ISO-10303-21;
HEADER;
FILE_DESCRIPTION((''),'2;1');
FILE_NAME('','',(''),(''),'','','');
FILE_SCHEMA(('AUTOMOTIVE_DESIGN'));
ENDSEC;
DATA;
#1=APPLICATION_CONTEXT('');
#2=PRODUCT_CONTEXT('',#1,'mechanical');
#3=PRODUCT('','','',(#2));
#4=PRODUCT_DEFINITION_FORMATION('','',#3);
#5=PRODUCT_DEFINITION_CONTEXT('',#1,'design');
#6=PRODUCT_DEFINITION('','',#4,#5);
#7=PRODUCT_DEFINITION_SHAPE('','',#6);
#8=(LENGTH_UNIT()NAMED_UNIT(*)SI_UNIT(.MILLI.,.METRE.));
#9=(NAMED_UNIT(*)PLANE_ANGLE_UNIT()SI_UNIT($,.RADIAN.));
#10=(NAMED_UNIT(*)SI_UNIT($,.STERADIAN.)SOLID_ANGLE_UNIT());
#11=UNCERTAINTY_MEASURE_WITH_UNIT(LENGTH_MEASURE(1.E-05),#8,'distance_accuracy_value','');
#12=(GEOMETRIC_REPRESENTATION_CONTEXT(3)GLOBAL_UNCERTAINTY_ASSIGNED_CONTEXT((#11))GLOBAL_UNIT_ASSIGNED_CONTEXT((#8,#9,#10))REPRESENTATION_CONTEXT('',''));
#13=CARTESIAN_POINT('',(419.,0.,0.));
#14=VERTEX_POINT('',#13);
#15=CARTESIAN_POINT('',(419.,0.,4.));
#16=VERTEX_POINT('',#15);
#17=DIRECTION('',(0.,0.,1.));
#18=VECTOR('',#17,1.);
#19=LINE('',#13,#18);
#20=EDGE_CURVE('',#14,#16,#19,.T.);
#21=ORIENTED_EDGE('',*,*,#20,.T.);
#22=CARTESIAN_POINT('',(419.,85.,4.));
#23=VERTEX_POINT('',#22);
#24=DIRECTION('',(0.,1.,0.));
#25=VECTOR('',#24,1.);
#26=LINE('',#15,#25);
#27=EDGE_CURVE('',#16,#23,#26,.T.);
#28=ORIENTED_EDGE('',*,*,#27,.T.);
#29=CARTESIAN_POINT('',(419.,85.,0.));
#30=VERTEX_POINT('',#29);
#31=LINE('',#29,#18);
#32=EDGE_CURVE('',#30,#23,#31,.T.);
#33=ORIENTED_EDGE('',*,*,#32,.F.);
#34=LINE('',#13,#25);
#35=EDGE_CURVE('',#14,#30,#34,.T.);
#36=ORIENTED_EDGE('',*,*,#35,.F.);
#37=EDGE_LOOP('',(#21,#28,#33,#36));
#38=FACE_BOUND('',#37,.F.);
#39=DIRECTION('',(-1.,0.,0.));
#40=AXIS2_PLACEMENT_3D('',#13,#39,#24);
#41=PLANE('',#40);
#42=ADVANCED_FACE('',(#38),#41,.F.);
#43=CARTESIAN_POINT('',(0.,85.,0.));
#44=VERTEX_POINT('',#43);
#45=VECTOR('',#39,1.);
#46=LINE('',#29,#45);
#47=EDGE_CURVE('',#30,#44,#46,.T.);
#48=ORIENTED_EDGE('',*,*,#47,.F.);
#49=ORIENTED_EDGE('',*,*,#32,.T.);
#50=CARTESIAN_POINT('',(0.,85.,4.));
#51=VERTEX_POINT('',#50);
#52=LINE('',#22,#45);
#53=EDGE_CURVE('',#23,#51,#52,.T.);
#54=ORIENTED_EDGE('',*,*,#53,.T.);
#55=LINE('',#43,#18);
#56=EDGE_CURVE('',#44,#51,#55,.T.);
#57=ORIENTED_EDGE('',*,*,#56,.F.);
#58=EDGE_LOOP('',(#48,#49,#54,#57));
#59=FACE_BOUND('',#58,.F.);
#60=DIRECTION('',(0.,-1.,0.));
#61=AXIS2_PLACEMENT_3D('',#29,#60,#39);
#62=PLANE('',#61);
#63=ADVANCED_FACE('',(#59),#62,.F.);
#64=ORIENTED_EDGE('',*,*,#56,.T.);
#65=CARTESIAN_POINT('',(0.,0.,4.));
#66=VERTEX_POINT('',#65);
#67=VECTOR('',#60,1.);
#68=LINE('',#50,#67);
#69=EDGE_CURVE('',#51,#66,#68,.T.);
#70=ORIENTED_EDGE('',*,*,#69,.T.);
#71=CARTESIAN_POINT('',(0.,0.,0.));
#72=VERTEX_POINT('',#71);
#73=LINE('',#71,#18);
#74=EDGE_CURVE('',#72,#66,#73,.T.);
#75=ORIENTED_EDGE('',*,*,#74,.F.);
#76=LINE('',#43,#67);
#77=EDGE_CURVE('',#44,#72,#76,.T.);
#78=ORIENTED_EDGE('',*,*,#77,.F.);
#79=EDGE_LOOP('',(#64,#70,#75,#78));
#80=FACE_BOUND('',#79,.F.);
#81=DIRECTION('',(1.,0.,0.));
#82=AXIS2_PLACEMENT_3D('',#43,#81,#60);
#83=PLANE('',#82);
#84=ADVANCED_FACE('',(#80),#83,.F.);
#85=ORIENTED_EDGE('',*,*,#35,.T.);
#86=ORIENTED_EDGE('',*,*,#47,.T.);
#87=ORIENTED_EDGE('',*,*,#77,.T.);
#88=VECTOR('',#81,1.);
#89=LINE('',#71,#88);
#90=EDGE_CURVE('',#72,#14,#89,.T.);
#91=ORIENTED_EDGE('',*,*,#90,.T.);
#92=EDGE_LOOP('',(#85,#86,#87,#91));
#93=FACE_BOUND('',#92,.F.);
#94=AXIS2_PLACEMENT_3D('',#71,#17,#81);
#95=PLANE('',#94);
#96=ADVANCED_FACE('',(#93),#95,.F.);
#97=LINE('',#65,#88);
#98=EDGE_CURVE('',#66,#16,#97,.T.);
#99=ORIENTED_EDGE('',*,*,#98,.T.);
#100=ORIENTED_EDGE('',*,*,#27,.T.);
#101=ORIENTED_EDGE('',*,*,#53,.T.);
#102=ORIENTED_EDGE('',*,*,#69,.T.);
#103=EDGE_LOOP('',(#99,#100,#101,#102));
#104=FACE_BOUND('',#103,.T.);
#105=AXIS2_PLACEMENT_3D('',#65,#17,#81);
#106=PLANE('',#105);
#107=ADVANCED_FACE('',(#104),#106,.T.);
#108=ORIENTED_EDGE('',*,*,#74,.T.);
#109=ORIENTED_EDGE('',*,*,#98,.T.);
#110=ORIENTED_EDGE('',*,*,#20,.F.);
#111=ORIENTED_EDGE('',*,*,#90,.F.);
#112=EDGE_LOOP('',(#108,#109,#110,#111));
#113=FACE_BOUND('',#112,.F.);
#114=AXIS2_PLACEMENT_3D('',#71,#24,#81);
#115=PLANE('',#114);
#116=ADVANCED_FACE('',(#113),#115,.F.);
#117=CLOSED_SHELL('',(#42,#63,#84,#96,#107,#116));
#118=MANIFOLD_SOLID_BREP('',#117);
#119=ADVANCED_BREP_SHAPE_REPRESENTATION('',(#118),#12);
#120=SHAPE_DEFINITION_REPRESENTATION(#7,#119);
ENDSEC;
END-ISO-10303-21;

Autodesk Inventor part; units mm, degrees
ref_plane "YZ Plane" through (0, 0, 0) normal (1, 0, 0) x (0, 1, 0)
ref_plane "XZ Plane" through (0, 0, 0) normal (0, 1, 0) x (-1, 0, 0)
ref_plane "XY Plane" through (0, 0, 0) normal (0, 0, 1) x (1, 0, 0)
sketch "Sketch1" plane through (0, 0, 0) normal (0, 0, 1) x (1, 0, 0)
  line L0 (0, 0) -> (419, 0)
  line L1 (419, 0) -> (419, 85)
  line L2 (419, 85) -> (0, 85)
  line L3 (0, 85) -> (0, 0)
  dimension "d0" = 419
  dimension "d1" = 85
extrude "Extrusion1" add sketch "Sketch1" along normal blind 4
properties part number "EnclosurePanelBottomSide" material "ABS Plastic"
